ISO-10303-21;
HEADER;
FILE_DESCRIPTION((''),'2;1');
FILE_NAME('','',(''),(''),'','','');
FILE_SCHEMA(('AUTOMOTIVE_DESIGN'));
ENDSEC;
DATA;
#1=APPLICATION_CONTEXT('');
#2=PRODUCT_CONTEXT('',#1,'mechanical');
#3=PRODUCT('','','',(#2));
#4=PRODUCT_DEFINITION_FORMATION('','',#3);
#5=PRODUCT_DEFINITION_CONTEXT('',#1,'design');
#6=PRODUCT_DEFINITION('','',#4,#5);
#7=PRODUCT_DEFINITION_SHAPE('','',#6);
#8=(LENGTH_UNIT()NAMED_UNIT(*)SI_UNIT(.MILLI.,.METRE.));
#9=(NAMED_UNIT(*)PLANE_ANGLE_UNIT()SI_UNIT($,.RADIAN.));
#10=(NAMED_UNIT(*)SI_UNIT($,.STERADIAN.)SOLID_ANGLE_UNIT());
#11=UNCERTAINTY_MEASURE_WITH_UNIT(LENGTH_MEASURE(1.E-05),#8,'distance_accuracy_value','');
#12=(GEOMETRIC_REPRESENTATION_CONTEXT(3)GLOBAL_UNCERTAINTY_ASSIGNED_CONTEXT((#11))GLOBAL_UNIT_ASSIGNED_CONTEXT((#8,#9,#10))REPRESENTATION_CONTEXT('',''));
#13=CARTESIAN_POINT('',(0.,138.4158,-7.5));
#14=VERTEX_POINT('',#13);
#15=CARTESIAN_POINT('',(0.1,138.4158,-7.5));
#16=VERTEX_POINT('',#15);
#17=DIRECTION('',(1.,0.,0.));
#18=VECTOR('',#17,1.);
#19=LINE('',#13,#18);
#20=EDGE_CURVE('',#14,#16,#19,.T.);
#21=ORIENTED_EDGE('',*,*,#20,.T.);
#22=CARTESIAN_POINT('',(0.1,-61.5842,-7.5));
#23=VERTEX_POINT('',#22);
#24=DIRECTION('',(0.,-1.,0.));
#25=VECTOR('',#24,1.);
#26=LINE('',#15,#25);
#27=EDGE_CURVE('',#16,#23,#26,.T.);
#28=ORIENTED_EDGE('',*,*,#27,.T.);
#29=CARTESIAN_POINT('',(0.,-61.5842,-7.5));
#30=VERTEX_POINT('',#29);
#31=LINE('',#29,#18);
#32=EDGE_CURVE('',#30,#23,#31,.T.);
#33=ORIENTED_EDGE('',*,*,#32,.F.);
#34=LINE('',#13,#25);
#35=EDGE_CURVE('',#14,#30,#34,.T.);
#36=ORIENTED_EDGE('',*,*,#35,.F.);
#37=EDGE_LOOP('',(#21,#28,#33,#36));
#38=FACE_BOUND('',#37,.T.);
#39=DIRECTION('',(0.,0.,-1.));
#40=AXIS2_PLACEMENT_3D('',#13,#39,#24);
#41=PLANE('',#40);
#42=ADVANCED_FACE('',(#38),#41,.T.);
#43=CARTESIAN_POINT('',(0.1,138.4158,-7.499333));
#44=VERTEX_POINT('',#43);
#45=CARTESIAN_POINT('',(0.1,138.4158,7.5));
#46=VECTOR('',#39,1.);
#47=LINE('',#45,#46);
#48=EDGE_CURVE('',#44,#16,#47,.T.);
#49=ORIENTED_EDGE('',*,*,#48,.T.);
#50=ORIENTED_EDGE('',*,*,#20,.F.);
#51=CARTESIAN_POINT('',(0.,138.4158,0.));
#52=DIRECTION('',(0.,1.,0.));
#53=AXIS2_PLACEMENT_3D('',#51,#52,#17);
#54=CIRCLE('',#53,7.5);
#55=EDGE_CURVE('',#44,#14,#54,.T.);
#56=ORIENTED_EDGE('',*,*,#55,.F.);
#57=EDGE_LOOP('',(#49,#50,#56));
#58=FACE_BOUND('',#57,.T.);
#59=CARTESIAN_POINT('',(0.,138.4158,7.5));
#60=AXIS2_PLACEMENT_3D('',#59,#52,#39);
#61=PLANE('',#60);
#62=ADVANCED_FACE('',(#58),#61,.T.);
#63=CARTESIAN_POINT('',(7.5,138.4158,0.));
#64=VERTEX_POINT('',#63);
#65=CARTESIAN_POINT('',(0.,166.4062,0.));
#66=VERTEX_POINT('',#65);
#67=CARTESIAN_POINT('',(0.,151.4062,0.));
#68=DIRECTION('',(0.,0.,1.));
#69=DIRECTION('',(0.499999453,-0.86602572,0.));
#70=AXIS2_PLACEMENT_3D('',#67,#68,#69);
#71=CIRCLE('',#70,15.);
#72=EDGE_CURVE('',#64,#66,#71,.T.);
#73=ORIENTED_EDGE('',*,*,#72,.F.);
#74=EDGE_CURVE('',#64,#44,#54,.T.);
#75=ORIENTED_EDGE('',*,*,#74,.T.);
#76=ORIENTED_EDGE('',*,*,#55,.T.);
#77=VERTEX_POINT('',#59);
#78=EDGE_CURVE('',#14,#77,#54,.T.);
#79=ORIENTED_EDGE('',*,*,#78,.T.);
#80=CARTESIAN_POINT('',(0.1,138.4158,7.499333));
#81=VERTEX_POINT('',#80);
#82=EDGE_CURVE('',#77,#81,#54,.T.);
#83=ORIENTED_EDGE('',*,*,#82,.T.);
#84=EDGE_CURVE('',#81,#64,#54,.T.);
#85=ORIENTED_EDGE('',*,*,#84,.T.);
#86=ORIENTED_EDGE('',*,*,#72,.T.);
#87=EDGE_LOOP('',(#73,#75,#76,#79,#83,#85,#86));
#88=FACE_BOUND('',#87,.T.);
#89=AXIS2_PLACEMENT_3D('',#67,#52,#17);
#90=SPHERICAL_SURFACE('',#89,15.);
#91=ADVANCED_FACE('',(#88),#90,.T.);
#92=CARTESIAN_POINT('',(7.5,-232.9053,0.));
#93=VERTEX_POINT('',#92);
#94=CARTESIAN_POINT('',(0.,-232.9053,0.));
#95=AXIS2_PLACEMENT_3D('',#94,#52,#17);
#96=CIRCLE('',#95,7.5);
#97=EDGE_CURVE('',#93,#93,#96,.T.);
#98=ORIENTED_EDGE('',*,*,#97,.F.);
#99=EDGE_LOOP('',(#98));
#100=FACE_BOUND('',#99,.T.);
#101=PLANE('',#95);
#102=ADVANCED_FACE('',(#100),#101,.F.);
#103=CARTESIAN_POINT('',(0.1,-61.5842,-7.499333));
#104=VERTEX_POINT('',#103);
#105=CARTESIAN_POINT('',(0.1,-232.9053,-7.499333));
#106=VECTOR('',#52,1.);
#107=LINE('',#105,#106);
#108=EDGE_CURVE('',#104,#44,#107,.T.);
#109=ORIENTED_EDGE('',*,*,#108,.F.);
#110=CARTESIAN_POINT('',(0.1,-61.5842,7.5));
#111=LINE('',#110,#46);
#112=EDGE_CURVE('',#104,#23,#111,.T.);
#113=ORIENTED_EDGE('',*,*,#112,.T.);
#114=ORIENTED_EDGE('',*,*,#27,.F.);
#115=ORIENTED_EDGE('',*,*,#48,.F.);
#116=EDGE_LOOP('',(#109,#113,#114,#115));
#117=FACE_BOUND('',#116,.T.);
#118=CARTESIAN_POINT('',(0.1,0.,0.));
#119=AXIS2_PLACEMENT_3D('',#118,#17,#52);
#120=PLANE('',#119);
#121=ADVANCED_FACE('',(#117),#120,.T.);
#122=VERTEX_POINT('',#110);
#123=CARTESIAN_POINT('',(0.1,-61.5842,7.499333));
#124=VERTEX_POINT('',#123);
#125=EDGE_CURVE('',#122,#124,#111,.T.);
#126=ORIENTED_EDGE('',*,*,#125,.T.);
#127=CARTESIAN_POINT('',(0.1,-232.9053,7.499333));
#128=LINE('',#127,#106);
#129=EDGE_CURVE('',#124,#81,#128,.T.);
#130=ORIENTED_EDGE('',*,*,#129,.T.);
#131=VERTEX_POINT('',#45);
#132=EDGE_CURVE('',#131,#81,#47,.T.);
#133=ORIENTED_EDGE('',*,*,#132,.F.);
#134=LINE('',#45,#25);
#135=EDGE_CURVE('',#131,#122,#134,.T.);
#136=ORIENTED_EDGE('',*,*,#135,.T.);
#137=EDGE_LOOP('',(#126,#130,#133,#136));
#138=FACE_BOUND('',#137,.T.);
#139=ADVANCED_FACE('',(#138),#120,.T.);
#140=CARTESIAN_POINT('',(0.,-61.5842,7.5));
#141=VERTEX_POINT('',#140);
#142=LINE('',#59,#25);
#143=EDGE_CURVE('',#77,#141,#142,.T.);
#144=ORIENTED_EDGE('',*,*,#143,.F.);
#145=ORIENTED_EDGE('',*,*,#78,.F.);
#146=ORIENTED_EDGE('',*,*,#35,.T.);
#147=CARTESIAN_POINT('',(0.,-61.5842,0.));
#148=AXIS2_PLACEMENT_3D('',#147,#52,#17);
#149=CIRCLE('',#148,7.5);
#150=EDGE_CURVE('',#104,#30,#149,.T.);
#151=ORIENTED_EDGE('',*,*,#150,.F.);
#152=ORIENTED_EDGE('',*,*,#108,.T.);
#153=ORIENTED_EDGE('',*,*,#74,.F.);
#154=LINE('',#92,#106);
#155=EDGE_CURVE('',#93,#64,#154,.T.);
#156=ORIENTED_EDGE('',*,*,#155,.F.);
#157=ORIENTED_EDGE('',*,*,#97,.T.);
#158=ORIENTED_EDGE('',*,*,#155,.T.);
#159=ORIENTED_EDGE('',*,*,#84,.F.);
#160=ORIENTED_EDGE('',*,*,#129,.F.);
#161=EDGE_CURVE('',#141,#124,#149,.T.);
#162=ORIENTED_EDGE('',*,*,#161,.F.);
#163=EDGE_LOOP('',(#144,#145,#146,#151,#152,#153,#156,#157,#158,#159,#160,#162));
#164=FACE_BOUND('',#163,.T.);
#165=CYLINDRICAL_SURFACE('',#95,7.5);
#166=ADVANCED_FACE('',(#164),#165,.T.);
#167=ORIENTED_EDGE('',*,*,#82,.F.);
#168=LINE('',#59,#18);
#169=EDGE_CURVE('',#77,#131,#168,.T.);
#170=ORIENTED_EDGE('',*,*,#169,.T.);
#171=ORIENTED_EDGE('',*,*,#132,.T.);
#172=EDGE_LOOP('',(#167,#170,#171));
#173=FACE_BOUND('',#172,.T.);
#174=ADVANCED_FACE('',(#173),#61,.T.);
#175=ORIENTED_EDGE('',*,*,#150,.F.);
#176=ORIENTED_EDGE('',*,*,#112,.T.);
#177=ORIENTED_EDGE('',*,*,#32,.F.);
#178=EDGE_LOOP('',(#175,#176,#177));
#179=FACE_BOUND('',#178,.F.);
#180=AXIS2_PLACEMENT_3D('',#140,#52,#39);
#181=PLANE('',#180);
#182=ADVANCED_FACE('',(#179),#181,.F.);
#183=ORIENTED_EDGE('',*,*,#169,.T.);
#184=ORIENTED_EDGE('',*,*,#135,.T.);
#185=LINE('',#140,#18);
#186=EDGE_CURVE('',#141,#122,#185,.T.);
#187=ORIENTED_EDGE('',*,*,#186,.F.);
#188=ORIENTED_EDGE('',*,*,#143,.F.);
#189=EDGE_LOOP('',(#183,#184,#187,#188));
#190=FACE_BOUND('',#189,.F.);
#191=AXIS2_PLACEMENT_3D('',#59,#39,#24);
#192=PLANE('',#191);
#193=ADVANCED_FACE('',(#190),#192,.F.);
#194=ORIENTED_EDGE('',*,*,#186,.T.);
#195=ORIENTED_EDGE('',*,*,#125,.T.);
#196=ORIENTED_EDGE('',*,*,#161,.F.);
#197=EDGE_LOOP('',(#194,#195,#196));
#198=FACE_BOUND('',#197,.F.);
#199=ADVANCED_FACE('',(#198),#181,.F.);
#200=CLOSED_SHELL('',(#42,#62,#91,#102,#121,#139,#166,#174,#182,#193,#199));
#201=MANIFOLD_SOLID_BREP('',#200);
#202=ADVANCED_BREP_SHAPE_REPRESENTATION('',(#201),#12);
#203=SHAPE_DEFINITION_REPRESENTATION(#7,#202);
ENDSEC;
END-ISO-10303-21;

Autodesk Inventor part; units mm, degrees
ref_plane "YZ Plane" through (0, 0, 0) normal (1, 0, 0) x (0, 1, 0)
ref_plane "XZ Plane" through (0, 0, 0) normal (0, 1, 0) x (-1, 0, 0)
ref_plane "XY Plane" through (0, 0, 0) normal (0, 0, 1) x (1, 0, 0)
sketch "Esquisse1" plane through (0, 0, 0) normal (0, 0, 1) x (1, 0, 0)
  line L0 (-7.5, -232.9053) -> (7.5, -232.9053)
  line L1 (7.5, -232.9053) -> (7.5, 138.4158)
  line L2 (-7.5, 138.4158) -> (-7.5, -232.9053)
  line L3 (-7.5, -232.9053) -> (4.4139, 137.0703) construction
  line L4 (7.5, -232.9053) -> (-4.4139, 137.0703) construction
  circle A0 centre (0, 151.4062) radius 15
  line L5 (0, -232.9053) -> (0, 166.4062)
  point P0 (0, 0)
  dimension "d1" = 30
revolve "Révolution1" add sketch "Esquisse1" angle 360 about axis through (0, -232.9053, 0) along (0, 1, 0) picked at (3.1174, 155.3154) contours L5 A0 L1 L0 | L5 A0
sketch "Esquisse2" plane through (0, 0, 0) normal (1, 0, 0) x (0, 1, 0)
  line L0 (138.4158, 7.5) -> (138.4158, -7.5) projected
  line L1 (138.4158, -7.5) -> (-232.9053, -7.5) projected
  line L2 (138.4158, 7.5) -> (-61.5842, 7.5)
  line L3 (-61.5842, 7.5) -> (-61.5842, -7.5)
  line L4 (-61.5842, -7.5) -> (138.4158, -7.5)
  line L5 (138.4158, -7.5) -> (138.4158, 7.5)
  point P0 (0, 0)
  dimension "d3" = 200
extrude "Extrusion1" add sketch "Esquisse2" along normal blind 0.1
properties part number "FlagPole"
